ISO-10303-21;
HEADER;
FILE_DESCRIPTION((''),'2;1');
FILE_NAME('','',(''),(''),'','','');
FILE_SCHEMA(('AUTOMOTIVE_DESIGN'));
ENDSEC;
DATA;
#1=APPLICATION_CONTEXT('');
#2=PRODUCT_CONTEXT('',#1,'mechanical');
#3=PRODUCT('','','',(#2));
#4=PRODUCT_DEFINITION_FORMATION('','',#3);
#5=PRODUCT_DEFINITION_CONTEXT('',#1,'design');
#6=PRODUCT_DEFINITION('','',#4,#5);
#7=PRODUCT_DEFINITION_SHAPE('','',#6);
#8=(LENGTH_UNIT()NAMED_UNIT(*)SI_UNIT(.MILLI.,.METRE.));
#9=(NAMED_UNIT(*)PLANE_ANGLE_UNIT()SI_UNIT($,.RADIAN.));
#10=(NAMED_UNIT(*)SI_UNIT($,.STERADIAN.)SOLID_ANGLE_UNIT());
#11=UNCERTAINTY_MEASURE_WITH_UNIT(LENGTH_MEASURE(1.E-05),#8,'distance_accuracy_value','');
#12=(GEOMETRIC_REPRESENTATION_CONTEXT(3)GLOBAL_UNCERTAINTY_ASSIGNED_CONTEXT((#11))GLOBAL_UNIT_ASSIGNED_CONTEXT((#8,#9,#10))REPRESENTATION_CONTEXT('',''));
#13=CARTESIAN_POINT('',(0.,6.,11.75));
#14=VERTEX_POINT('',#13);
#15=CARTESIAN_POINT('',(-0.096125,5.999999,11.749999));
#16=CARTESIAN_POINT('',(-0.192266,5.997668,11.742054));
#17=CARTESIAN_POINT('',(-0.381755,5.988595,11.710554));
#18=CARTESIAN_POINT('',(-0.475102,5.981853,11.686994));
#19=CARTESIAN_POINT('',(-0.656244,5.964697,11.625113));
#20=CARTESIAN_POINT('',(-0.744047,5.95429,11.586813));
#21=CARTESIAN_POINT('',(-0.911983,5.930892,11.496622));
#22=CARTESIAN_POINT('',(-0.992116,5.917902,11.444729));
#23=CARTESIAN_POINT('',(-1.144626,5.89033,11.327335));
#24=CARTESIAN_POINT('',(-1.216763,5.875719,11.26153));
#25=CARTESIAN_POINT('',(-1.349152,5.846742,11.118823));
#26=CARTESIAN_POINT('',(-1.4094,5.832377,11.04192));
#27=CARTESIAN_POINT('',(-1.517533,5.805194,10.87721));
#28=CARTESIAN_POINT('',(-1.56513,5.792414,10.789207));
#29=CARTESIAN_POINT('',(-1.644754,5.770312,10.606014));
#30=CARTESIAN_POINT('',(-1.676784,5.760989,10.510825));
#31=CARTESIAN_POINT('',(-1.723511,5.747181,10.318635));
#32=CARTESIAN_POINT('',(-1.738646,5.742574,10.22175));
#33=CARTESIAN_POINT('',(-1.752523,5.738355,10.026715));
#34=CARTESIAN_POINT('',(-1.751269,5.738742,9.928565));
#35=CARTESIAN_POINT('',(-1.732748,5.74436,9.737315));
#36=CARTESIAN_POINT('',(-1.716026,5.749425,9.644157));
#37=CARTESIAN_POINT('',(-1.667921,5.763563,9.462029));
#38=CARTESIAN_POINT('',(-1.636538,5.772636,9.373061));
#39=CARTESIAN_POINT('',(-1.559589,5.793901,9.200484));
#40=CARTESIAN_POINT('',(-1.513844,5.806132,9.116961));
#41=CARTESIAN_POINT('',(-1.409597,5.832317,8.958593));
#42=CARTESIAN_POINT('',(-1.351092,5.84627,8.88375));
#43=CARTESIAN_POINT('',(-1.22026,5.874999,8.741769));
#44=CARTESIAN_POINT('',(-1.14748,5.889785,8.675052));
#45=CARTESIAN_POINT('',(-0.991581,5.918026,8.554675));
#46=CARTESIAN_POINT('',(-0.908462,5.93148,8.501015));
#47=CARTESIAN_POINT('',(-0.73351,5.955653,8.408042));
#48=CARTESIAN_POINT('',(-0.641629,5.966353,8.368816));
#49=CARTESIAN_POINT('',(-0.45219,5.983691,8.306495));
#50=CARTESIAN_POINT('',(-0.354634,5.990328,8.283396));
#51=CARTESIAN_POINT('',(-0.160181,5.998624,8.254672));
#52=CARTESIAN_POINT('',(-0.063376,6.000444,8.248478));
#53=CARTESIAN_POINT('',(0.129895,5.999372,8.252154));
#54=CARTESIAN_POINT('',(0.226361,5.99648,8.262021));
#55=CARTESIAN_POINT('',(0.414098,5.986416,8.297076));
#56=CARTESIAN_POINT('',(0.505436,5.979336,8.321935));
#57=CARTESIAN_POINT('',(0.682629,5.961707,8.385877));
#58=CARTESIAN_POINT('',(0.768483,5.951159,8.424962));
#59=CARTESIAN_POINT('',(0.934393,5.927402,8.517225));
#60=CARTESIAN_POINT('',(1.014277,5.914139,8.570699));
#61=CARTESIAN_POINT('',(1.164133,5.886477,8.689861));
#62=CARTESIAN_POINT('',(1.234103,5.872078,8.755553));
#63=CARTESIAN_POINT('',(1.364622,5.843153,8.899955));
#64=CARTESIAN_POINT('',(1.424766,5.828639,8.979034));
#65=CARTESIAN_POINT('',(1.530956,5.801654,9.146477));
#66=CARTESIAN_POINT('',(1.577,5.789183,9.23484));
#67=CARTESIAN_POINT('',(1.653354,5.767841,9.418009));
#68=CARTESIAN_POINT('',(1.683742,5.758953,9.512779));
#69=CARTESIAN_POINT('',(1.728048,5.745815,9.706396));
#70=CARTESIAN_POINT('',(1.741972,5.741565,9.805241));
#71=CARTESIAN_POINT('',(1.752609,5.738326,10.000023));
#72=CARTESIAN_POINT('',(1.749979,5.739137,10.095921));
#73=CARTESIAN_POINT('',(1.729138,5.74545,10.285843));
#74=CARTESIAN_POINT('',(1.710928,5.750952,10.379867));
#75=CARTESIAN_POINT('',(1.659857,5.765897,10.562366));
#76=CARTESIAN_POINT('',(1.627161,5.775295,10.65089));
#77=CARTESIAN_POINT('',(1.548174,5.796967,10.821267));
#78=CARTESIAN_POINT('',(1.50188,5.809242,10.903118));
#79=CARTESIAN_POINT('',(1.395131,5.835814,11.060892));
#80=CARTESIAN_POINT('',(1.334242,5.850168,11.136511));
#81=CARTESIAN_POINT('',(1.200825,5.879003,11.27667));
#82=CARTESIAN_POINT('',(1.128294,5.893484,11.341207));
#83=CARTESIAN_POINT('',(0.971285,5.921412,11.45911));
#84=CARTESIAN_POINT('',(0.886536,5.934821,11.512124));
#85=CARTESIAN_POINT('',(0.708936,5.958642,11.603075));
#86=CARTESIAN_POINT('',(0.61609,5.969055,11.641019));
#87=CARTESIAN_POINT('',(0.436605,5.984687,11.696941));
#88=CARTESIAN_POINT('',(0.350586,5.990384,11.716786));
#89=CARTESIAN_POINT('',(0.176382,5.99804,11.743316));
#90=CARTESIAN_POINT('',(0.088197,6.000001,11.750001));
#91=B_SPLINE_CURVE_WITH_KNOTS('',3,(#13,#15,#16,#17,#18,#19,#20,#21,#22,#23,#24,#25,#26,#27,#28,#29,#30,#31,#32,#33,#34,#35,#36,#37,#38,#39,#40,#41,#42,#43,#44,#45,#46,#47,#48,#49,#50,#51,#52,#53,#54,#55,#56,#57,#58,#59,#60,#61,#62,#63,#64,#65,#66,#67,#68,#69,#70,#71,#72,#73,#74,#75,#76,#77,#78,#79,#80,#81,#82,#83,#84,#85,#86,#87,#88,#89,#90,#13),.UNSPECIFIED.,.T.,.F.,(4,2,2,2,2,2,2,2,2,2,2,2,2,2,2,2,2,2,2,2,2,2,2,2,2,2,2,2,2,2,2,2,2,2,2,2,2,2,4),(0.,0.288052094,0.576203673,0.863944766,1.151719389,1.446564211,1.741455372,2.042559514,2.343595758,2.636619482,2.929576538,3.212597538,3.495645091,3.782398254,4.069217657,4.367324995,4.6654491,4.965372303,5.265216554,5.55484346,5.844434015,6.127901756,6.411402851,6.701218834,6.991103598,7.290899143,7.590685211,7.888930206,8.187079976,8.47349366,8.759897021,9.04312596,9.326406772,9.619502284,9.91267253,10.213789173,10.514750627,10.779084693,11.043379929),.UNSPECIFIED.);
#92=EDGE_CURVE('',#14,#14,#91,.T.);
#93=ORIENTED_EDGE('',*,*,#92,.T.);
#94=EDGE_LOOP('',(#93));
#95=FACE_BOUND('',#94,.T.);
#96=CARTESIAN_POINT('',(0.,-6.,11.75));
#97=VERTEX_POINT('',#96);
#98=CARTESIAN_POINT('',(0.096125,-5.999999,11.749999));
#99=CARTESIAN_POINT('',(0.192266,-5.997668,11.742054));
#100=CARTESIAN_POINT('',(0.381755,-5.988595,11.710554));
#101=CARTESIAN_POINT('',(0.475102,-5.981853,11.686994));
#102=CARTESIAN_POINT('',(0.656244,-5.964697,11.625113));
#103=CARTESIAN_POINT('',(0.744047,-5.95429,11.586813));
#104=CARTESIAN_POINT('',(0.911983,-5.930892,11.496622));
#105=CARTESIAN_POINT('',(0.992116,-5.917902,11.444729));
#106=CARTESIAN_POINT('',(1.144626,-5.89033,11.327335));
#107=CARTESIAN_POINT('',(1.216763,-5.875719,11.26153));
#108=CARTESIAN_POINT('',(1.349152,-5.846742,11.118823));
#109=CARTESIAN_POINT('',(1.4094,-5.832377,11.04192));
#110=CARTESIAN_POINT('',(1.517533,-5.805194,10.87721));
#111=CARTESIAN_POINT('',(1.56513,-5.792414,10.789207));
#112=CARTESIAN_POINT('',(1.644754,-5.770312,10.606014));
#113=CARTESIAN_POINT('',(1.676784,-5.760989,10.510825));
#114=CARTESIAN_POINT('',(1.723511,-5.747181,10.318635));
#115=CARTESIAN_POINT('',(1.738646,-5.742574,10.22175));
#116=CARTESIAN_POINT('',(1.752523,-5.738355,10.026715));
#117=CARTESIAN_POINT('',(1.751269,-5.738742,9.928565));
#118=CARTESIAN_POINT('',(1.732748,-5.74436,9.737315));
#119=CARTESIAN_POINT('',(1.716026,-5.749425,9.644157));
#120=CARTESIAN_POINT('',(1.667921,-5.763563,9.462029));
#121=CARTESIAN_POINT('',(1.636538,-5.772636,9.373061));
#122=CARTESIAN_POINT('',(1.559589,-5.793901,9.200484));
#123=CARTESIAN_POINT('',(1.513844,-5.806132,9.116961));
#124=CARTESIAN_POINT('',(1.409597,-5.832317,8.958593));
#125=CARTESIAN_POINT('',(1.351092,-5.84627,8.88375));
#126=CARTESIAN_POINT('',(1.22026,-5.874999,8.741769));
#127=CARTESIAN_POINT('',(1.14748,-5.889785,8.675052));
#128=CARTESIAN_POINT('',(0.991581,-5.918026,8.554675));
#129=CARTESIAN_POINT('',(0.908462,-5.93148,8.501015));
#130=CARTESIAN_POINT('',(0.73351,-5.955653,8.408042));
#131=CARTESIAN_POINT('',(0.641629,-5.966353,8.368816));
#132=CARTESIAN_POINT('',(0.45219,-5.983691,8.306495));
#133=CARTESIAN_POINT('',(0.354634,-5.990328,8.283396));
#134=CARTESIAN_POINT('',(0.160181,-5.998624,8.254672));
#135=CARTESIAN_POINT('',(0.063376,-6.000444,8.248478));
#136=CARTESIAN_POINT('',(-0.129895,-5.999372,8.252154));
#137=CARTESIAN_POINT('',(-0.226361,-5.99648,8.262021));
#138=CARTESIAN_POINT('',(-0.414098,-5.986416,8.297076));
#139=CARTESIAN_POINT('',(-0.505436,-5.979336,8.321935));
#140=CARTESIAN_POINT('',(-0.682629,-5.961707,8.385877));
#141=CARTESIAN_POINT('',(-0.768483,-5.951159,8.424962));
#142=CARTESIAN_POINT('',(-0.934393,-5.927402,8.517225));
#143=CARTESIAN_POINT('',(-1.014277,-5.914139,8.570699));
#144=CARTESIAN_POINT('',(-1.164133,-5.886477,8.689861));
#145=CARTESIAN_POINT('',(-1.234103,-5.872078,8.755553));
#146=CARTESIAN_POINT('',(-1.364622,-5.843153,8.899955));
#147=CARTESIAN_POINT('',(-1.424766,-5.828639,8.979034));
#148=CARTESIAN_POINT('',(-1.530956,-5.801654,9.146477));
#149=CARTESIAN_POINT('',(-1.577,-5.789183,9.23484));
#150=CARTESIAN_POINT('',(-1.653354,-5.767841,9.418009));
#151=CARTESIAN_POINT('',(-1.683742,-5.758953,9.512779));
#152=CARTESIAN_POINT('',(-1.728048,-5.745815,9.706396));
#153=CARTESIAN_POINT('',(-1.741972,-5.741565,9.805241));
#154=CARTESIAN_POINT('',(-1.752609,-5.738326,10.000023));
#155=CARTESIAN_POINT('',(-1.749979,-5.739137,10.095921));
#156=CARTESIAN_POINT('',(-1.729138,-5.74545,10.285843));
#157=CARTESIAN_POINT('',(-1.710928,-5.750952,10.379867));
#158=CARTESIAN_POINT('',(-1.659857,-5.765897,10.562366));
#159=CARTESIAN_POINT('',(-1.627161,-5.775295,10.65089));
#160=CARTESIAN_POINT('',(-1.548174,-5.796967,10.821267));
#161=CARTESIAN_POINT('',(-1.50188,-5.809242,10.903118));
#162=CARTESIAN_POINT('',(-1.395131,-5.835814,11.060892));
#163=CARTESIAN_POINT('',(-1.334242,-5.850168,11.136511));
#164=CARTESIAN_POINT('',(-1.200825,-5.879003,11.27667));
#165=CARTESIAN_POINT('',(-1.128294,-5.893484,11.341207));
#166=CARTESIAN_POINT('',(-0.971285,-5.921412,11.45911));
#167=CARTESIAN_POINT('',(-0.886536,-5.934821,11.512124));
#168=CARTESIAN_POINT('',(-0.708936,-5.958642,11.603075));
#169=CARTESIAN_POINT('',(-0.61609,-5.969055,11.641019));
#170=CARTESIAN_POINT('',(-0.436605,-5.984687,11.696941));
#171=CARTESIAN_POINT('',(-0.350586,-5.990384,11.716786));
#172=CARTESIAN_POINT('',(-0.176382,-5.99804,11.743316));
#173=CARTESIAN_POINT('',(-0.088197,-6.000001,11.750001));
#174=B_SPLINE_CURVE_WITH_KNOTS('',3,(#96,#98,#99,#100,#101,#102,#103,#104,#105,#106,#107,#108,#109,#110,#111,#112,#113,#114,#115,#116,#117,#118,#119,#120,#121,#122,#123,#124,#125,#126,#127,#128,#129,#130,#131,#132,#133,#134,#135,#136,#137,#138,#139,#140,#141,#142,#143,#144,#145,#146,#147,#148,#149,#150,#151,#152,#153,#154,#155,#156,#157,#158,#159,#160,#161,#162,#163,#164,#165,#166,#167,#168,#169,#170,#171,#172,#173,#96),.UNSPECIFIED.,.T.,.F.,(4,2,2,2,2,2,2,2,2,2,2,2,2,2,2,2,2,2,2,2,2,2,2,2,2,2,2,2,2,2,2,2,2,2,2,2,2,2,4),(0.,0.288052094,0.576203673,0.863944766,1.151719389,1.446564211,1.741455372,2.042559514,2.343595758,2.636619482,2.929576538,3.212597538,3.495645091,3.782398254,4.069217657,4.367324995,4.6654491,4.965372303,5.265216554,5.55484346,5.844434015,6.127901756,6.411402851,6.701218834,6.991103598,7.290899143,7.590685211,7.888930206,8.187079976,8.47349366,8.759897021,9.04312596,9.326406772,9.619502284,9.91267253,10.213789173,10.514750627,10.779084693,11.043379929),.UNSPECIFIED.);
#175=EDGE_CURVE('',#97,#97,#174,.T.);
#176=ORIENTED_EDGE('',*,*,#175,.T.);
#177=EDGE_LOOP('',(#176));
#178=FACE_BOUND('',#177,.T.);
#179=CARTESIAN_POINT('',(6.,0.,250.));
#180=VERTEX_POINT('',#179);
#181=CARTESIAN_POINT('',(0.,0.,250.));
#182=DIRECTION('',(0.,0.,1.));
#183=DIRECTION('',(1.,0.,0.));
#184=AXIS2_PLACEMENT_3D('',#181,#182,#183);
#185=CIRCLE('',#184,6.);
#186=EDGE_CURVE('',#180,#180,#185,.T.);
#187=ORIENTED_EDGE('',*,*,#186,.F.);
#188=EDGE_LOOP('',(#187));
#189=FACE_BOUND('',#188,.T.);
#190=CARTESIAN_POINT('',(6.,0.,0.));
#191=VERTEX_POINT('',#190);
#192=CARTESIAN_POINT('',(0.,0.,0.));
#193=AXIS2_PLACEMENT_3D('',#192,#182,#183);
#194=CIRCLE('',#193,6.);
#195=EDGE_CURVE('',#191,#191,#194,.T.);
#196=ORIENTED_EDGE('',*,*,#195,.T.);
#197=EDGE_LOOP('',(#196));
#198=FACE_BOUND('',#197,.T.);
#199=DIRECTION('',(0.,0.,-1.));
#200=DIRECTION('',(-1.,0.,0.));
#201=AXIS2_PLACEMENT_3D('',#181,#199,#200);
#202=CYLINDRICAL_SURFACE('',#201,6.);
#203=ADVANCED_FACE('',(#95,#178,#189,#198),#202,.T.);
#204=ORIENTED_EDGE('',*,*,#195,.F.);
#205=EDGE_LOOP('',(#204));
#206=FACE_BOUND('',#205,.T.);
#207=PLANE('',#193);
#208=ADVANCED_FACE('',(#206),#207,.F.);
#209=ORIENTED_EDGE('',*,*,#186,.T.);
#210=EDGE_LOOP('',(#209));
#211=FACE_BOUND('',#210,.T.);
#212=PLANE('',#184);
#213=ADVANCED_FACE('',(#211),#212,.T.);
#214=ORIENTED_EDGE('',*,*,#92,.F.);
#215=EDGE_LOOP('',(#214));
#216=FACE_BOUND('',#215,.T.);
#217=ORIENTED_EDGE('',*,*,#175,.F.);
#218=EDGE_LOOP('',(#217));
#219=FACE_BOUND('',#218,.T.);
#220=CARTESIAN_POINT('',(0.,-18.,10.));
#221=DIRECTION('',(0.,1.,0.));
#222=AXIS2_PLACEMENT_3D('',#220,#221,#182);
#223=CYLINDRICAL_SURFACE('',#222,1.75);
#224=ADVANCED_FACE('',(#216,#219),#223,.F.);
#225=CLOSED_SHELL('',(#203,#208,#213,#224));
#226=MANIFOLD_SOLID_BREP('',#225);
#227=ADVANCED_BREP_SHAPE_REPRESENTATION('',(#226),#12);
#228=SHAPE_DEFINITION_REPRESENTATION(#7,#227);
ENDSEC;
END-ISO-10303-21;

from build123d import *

# Parameters (mm, degrees)
SKETCH1_R           = 6
BOSS_EXTRUDE1_DEPTH = 250
SKETCH2_R           = 1.75
CUT_EXTRUDE1_DEPTH  = 18


with BuildPart() as part:
    # Sketch1 → Boss-Extrude1 (new body)
    with BuildSketch(Plane.XY):
        Circle(SKETCH1_R)
    extrude(amount=BOSS_EXTRUDE1_DEPTH)

    # Sketch2 → Cut-Extrude1 (cut, symmetric)
    with BuildSketch(Plane(origin=(0, 0, 0), x_dir=(1, 0, 0), z_dir=(0, 1, 0))):
        with Locations(Location((0, -10, 0), (0, 0, 270))):
            Circle(SKETCH2_R)
    extrude(amount=CUT_EXTRUDE1_DEPTH, both=True, mode=Mode.SUBTRACT)


solid = part.part
